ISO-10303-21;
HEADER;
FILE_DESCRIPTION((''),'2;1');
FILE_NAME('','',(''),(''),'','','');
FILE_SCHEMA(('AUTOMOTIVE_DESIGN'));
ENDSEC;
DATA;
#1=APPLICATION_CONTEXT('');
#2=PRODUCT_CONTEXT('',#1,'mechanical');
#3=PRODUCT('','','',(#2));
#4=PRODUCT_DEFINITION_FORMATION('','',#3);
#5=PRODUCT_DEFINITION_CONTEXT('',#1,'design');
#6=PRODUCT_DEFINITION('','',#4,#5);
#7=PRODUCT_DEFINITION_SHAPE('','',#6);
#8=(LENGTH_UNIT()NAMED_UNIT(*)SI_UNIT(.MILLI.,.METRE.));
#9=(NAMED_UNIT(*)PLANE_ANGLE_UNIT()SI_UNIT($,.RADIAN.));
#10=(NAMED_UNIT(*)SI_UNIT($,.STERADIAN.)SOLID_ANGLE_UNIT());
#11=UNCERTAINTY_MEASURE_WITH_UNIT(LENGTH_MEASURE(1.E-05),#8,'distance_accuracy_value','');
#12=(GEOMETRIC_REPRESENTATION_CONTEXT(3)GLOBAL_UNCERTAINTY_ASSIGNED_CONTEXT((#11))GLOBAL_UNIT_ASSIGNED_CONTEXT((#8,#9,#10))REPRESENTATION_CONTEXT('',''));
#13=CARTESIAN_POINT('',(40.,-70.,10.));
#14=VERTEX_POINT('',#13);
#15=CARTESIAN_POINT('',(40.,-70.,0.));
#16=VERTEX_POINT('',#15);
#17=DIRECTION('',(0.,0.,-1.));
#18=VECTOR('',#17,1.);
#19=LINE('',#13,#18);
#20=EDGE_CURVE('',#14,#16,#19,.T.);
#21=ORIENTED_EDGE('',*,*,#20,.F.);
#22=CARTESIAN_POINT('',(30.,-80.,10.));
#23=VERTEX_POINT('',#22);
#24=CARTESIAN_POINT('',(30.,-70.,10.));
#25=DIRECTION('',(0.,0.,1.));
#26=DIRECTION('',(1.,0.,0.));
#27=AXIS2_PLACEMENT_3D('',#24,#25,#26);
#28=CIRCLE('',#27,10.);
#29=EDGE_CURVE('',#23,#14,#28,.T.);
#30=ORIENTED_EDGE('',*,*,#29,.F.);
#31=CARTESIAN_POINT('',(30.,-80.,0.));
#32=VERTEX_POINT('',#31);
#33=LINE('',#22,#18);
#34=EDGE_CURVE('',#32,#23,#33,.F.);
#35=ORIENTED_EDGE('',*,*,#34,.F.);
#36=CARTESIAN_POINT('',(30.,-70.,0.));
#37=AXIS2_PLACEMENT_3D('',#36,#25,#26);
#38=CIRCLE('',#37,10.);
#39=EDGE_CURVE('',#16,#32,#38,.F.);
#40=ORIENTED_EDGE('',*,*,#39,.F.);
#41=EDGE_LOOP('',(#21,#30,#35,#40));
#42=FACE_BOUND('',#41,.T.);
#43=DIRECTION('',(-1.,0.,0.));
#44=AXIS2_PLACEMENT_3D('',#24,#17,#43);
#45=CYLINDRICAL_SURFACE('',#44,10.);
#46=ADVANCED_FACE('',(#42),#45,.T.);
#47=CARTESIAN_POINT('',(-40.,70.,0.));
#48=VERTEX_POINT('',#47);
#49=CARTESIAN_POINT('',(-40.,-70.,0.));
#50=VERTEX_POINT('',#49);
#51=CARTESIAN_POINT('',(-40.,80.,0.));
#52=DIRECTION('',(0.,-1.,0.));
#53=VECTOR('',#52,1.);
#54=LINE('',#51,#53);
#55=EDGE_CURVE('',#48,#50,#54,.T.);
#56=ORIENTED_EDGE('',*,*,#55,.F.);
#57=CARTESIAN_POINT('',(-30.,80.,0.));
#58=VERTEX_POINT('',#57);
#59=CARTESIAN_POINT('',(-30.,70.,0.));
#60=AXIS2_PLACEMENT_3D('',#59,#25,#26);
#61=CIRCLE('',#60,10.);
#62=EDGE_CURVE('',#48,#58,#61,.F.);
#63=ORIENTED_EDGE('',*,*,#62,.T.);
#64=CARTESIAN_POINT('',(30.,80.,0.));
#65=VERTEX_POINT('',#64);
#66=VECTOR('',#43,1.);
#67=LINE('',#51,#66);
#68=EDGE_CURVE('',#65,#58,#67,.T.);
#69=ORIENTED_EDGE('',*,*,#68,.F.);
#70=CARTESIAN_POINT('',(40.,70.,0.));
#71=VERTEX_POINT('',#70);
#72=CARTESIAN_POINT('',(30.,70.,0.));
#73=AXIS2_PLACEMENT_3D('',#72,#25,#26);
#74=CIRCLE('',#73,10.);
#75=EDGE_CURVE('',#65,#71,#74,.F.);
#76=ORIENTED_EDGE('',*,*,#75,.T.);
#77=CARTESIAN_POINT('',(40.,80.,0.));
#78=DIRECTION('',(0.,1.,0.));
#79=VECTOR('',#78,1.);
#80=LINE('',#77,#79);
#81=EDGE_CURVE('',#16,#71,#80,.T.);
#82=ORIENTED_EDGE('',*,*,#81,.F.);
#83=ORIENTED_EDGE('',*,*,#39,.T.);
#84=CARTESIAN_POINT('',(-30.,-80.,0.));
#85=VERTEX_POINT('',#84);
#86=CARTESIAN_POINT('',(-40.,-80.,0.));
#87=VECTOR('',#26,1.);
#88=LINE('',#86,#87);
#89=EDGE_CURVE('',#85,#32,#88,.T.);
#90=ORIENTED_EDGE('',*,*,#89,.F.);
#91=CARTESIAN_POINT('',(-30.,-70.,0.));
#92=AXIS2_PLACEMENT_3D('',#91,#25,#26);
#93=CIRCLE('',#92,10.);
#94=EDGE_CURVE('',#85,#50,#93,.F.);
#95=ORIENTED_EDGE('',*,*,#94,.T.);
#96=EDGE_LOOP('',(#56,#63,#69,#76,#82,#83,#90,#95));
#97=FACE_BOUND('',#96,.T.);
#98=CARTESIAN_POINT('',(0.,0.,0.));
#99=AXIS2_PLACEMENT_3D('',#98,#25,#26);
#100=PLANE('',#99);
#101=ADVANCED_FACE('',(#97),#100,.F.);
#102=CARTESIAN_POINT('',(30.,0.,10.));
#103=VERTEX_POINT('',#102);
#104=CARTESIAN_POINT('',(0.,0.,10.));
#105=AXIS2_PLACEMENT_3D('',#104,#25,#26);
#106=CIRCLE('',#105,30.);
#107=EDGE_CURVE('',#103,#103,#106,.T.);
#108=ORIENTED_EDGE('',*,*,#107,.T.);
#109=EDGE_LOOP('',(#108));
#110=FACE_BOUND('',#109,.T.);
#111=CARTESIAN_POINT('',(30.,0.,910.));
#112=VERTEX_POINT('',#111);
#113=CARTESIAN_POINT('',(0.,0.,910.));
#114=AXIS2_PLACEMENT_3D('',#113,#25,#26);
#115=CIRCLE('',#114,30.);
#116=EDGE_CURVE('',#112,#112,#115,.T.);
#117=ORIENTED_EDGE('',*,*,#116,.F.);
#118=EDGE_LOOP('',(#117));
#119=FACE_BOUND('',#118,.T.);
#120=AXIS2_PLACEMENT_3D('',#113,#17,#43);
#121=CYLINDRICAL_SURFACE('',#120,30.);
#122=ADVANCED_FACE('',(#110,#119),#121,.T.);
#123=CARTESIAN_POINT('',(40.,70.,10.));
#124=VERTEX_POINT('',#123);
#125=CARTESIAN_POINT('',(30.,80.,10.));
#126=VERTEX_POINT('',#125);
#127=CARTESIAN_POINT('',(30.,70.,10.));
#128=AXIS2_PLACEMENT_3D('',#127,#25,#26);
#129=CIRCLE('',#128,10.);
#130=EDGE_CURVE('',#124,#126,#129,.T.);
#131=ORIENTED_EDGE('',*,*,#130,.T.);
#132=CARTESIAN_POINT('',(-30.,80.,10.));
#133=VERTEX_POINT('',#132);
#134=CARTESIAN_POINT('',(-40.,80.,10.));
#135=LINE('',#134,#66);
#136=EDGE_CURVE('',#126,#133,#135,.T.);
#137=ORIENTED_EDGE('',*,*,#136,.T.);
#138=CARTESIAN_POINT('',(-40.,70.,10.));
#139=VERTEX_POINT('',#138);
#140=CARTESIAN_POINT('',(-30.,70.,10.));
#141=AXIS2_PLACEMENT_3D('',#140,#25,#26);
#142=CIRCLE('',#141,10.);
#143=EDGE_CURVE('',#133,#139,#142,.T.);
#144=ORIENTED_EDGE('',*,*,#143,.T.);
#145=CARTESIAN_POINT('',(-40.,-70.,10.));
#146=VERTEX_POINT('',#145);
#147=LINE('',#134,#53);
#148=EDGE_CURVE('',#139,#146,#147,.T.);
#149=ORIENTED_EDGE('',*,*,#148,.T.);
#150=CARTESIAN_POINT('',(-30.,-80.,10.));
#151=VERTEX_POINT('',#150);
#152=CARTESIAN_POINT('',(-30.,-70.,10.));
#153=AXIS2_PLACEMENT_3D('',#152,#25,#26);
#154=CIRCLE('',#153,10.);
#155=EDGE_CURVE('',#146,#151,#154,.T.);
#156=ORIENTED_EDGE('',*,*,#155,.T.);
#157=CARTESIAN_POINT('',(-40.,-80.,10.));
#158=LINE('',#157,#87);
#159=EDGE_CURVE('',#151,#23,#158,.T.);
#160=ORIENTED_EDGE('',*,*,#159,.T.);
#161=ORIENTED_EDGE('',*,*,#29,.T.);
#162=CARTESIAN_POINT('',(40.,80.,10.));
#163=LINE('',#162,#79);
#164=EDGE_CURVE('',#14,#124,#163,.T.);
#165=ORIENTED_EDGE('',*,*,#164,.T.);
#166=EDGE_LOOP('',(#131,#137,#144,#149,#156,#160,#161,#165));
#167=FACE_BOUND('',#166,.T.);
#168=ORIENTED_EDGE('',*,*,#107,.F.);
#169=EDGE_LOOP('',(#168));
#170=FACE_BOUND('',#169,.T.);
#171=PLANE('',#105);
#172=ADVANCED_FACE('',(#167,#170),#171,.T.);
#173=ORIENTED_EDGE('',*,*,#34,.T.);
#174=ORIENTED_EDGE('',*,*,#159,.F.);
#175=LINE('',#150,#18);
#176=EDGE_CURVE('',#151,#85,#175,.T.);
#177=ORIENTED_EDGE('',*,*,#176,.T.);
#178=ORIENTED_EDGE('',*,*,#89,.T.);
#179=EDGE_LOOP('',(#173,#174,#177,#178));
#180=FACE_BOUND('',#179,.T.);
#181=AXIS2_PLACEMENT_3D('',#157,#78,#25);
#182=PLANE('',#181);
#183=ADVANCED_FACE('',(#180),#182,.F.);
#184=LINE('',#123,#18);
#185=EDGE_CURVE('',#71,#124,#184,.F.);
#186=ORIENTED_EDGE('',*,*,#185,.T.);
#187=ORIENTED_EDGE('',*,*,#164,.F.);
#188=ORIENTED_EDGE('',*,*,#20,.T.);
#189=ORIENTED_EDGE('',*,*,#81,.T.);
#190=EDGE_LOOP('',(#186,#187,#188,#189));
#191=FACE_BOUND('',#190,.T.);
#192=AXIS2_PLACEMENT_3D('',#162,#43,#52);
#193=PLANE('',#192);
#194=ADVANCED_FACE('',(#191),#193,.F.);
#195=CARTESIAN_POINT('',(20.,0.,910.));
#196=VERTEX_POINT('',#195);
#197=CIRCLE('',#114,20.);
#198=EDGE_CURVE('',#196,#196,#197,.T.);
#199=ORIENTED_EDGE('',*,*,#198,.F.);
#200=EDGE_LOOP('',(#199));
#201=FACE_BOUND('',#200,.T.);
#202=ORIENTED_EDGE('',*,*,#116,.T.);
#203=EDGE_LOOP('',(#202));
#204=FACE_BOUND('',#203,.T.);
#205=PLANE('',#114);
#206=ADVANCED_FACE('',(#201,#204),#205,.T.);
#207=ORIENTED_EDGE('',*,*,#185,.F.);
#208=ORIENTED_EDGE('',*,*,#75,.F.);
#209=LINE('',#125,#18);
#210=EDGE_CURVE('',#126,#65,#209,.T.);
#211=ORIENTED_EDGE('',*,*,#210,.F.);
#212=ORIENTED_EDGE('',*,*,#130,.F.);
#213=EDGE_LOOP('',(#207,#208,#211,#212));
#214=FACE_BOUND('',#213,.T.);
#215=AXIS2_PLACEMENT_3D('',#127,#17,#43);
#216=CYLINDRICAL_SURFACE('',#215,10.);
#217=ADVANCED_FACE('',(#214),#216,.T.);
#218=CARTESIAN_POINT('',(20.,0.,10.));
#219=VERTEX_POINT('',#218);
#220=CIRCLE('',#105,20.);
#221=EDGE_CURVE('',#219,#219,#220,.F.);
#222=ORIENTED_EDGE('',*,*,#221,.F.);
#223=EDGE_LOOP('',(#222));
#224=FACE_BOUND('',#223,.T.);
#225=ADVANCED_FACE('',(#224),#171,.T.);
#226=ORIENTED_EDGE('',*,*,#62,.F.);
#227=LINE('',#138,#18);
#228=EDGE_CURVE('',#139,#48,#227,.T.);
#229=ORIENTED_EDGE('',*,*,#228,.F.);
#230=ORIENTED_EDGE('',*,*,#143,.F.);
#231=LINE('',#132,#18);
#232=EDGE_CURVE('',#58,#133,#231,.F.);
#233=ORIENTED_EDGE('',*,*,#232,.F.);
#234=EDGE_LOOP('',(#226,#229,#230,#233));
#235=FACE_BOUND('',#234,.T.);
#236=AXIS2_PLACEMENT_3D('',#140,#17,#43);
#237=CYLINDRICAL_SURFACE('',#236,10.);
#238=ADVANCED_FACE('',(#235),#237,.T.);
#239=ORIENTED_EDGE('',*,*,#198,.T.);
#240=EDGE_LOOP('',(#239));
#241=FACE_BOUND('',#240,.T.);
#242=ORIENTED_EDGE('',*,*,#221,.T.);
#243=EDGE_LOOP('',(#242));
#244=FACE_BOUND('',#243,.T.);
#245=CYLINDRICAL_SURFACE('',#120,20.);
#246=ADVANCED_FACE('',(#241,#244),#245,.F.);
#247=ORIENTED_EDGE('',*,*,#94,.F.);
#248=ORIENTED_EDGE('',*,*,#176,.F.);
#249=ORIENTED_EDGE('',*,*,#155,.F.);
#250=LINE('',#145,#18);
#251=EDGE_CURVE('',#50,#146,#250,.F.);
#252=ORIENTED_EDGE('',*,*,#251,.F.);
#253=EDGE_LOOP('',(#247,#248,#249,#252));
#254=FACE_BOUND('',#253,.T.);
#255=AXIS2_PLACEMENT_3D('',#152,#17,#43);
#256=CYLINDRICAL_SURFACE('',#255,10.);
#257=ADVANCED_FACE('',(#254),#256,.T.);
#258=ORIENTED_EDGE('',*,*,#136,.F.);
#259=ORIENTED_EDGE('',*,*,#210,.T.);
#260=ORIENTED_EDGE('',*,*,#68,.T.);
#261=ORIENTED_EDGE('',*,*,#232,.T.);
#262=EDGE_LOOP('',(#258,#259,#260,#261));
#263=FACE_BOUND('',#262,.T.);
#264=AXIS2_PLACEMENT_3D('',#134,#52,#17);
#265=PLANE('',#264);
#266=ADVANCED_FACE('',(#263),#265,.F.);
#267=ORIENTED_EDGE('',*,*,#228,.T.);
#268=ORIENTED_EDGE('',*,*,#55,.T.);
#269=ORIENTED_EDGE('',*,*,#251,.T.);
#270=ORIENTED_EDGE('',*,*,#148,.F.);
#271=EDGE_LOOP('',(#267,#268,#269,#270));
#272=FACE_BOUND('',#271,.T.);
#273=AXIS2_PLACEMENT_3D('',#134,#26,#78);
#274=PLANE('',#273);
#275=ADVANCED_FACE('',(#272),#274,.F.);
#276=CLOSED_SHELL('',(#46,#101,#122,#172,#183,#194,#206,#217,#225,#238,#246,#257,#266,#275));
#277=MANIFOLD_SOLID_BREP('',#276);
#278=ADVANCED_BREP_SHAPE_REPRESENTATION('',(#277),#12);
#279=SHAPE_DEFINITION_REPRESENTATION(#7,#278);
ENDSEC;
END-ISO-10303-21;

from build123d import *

# Parameters (mm, degrees)
PLATE_SKETCH_W      = 80
PLATE_SKETCH_H      = 160
PLATE_EXTRUDE_DEPTH = 10
PLATE_FILLET_R      = 10
POLE_SKETCH_R       = 30
POLE_SKETCH_R_2     = 20
POLE_EXTRUDE_DEPTH  = 900


with BuildPart() as part:
    # Plate Sketch → Plate Extrude (new body)
    with BuildSketch(Plane.XY):
        Rectangle(PLATE_SKETCH_W, PLATE_SKETCH_H)
    extrude(amount=PLATE_EXTRUDE_DEPTH)

    # Plate Fillet
    plate_fillet_edges = [part.edges().sort_by_distance(p)[0] for p in [
        (40, -80, 5),
        (-40, -80, 5),
        (-40, 80, 5),
        (40, 80, 5),
    ]]
    fillet(plate_fillet_edges, radius=PLATE_FILLET_R)

    # Pole Sketch → Pole Extrude (add)
    with BuildSketch(Plane.XY.offset(10)):
        Circle(POLE_SKETCH_R)
        Circle(POLE_SKETCH_R_2, mode=Mode.SUBTRACT)
    extrude(amount=POLE_EXTRUDE_DEPTH)


solid = part.part
